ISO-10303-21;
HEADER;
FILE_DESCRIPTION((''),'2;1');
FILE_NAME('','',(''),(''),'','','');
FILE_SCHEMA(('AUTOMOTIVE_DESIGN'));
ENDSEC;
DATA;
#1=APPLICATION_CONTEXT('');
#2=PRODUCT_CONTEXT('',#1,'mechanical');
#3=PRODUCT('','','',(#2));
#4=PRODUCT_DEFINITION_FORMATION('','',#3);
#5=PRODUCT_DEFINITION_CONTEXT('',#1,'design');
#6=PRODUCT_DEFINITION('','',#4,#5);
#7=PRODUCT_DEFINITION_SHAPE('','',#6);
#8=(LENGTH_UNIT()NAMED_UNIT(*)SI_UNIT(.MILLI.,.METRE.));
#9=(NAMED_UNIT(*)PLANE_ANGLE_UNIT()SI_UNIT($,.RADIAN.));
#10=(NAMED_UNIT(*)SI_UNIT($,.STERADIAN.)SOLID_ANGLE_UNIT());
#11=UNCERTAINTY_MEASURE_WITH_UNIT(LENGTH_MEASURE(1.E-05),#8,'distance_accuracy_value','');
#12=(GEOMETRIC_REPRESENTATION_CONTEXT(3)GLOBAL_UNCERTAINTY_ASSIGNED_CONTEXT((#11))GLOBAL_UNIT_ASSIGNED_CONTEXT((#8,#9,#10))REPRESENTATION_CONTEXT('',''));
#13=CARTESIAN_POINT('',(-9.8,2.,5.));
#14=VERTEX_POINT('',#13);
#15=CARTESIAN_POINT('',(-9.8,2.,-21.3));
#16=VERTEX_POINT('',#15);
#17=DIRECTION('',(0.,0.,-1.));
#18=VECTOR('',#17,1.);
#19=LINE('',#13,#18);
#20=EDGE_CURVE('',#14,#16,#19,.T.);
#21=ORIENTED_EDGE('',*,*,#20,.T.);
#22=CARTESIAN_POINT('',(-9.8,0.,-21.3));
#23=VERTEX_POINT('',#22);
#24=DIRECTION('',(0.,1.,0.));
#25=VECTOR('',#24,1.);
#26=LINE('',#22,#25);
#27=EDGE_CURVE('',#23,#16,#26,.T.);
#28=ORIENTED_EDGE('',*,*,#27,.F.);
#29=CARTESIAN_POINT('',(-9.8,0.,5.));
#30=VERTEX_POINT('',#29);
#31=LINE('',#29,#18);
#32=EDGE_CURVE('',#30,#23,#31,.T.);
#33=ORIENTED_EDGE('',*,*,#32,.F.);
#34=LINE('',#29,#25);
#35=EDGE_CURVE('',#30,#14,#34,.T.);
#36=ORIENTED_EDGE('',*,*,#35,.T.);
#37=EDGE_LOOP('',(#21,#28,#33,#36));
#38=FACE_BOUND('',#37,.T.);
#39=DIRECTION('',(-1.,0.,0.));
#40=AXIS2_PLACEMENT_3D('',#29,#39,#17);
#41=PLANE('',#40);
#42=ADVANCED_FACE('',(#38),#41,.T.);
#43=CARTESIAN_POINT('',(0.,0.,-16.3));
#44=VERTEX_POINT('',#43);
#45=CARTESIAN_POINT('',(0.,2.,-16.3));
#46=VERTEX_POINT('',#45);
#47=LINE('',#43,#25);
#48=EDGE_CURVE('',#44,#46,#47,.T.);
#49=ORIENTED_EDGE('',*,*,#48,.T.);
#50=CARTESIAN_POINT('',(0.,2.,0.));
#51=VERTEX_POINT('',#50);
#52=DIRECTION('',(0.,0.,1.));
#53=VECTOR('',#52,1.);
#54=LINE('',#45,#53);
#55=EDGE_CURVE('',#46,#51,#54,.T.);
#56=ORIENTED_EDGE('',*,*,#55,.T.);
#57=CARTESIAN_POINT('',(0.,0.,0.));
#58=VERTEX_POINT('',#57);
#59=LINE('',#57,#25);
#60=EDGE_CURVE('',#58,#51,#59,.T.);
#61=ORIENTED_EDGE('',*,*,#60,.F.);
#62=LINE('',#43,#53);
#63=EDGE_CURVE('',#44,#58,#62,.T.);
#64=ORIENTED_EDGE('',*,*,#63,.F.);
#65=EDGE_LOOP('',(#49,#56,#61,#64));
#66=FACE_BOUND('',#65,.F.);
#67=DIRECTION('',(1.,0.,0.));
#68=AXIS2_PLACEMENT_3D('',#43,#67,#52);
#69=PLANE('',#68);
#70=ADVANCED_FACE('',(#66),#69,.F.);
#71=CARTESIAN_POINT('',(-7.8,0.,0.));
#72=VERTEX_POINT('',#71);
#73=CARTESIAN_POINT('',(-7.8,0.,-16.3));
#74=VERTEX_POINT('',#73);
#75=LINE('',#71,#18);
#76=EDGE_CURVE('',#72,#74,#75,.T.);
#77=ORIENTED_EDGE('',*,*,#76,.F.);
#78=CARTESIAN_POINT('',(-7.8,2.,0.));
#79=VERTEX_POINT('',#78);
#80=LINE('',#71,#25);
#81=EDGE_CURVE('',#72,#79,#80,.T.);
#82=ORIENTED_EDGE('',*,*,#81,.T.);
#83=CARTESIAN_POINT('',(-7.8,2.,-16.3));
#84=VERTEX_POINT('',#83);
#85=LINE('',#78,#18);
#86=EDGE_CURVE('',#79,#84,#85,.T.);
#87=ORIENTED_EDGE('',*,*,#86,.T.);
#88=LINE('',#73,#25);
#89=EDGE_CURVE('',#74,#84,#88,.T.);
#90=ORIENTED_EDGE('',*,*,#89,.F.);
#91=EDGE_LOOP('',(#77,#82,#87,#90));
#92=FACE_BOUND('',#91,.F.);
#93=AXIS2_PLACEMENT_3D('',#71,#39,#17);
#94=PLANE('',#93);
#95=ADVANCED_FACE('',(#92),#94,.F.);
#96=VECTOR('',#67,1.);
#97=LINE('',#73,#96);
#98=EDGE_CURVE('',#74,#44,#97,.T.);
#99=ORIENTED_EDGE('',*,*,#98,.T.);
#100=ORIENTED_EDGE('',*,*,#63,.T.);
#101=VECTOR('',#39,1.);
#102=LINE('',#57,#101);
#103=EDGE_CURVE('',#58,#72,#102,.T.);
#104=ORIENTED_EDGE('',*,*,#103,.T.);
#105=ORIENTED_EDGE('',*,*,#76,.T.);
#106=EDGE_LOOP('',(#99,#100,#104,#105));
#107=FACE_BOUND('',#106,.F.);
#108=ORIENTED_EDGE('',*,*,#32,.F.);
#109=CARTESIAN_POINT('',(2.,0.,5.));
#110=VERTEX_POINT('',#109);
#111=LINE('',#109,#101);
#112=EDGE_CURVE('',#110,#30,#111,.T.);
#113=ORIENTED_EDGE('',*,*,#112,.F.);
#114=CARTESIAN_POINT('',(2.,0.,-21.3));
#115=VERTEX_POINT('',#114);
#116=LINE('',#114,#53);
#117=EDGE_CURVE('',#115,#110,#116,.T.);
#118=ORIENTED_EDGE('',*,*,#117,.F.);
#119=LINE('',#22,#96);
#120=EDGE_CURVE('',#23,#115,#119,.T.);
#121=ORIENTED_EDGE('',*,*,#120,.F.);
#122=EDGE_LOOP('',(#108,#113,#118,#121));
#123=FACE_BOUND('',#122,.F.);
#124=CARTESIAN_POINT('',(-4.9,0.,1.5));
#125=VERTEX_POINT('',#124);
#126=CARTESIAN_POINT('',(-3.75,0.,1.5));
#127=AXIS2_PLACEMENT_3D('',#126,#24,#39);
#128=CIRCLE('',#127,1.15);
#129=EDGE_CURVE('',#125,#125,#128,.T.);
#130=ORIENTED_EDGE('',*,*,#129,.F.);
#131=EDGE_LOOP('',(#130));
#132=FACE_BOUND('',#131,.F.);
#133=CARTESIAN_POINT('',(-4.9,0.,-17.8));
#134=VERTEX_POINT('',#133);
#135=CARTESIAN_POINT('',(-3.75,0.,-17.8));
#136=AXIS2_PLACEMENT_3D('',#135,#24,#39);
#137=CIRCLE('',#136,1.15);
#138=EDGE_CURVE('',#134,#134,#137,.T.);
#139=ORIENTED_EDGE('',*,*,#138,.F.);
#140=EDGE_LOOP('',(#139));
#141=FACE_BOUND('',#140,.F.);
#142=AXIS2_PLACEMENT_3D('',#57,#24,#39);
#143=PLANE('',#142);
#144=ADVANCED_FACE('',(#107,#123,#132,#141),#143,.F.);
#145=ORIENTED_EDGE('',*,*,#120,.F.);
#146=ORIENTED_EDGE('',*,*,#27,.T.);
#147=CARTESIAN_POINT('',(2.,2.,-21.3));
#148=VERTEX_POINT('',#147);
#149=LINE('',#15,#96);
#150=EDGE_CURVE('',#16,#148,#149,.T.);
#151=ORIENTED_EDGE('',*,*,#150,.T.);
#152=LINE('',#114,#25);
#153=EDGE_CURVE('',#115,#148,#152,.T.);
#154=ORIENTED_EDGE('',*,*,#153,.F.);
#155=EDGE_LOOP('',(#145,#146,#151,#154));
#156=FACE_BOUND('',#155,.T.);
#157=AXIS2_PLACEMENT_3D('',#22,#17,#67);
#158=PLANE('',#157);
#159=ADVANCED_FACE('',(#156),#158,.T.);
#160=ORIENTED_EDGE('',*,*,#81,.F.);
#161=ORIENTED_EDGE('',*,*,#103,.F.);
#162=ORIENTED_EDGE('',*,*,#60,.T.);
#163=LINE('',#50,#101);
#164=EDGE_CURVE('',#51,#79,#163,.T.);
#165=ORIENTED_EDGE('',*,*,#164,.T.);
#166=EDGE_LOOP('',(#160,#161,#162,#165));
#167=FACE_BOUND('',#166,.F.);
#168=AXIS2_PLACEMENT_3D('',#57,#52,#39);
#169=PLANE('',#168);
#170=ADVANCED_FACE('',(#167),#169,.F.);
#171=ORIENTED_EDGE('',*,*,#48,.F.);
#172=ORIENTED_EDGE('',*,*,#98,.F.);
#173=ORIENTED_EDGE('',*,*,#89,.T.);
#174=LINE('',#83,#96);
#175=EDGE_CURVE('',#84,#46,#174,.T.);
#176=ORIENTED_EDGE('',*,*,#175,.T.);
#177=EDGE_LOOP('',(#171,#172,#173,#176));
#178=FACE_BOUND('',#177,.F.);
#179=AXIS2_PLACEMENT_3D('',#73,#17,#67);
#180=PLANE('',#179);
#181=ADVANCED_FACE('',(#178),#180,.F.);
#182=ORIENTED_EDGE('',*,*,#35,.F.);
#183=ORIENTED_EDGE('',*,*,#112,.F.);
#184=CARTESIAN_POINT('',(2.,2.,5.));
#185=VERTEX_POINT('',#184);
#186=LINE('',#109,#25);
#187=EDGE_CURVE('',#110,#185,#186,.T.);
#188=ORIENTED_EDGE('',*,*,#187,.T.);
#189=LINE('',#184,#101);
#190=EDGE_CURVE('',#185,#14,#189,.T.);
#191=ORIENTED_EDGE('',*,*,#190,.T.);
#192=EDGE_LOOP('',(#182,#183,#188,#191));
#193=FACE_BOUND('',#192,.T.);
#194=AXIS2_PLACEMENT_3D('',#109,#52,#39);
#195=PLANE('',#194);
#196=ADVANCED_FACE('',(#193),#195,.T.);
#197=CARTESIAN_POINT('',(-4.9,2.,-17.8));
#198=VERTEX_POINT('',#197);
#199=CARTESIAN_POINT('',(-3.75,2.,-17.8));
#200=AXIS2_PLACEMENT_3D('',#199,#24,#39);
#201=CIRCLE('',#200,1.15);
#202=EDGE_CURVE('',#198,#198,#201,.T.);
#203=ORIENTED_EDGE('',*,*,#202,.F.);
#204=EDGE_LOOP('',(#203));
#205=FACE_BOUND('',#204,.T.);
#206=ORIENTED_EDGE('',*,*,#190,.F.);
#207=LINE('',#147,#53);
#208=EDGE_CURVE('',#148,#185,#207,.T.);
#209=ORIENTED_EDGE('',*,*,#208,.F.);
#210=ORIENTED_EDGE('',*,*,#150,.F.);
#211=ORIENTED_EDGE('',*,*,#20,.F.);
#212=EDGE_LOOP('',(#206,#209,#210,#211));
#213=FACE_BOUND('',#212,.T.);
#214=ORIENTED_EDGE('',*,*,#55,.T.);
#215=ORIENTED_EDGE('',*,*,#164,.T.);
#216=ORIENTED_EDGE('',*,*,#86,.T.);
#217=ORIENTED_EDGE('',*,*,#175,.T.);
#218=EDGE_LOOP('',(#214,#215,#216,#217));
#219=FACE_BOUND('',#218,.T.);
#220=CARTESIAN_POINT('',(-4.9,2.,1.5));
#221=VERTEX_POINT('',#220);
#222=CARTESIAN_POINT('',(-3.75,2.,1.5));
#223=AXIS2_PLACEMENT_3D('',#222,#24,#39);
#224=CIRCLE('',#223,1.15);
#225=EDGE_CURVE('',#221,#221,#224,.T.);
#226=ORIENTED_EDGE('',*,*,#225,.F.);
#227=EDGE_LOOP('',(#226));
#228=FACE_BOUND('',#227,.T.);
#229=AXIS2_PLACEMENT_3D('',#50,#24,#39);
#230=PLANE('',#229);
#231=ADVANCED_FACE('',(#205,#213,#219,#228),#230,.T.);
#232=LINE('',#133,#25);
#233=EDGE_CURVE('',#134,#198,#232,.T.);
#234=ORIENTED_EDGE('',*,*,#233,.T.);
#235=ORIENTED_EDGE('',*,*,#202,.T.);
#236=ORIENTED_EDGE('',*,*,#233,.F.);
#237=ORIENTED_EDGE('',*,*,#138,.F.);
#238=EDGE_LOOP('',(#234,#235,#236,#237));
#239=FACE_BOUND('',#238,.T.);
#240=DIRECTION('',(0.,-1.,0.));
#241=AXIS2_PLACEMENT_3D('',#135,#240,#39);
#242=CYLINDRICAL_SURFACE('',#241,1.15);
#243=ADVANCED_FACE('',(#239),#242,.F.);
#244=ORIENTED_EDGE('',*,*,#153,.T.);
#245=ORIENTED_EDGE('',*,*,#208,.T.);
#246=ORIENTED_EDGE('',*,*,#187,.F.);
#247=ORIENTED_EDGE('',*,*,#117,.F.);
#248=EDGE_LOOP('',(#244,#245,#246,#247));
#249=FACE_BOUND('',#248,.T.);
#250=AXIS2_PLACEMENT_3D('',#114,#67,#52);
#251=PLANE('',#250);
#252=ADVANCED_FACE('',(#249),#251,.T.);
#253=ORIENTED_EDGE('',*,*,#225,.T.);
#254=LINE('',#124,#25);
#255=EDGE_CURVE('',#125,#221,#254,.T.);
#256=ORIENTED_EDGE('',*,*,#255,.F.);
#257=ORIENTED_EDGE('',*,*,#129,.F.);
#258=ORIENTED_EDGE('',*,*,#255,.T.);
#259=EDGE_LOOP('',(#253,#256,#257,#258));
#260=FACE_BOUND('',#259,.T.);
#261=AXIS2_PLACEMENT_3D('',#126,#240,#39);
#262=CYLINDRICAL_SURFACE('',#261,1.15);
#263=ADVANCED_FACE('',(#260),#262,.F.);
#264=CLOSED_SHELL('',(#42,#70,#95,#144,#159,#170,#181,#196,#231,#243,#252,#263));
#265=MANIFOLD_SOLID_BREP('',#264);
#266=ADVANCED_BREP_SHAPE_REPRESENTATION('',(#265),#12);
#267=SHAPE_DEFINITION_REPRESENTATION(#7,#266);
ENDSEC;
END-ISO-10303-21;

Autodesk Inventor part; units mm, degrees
ref_plane "YZ Plane" through (0, 0, 0) normal (1, 0, 0) x (0, 1, 0)
ref_plane "XZ Plane" through (0, 0, 0) normal (0, 1, 0) x (-1, 0, 0)
ref_plane "XY Plane" through (0, 0, 0) normal (0, 0, 1) x (1, 0, 0)
sketch "Sketch1" plane through (0, 0, 0) normal (0, 1, 0) x (-1, 0, 0)
  line L0 (0, 0) -> (7.8, 0)
  line L1 (7.8, 0) -> (7.8, -16.3)
  line L2 (7.8, -16.3) -> (0, -16.3)
  line L3 (0, -16.3) -> (0, 0)
  line L4 (9.8, -21.3) -> (-2, -21.3)
  line L5 (-2, -21.3) -> (-2, 5)
  line L6 (-2, 5) -> (9.8, 5)
  line L7 (9.8, 5) -> (9.8, -21.3)
  circle A0 centre (3.75, 1.5) radius 1.15
  circle A1 centre (3.75, -17.8) radius 1.15
  dimension "d0" = 7.8
  dimension "d1" = 16.3
  dimension "d2" = 2
  dimension "d3" = 2
  dimension "d4" = 5
  dimension "d5" = 5
  dimension "d6" = 2.3
  dimension "d7" = 2.3
  dimension "d8" = 1.5
  dimension "d9" = 1.5
  dimension "d10" = 3.75
extrude "Extrusion1" add sketch "Sketch1" along normal blind 2
properties part number "SwitchTest"
